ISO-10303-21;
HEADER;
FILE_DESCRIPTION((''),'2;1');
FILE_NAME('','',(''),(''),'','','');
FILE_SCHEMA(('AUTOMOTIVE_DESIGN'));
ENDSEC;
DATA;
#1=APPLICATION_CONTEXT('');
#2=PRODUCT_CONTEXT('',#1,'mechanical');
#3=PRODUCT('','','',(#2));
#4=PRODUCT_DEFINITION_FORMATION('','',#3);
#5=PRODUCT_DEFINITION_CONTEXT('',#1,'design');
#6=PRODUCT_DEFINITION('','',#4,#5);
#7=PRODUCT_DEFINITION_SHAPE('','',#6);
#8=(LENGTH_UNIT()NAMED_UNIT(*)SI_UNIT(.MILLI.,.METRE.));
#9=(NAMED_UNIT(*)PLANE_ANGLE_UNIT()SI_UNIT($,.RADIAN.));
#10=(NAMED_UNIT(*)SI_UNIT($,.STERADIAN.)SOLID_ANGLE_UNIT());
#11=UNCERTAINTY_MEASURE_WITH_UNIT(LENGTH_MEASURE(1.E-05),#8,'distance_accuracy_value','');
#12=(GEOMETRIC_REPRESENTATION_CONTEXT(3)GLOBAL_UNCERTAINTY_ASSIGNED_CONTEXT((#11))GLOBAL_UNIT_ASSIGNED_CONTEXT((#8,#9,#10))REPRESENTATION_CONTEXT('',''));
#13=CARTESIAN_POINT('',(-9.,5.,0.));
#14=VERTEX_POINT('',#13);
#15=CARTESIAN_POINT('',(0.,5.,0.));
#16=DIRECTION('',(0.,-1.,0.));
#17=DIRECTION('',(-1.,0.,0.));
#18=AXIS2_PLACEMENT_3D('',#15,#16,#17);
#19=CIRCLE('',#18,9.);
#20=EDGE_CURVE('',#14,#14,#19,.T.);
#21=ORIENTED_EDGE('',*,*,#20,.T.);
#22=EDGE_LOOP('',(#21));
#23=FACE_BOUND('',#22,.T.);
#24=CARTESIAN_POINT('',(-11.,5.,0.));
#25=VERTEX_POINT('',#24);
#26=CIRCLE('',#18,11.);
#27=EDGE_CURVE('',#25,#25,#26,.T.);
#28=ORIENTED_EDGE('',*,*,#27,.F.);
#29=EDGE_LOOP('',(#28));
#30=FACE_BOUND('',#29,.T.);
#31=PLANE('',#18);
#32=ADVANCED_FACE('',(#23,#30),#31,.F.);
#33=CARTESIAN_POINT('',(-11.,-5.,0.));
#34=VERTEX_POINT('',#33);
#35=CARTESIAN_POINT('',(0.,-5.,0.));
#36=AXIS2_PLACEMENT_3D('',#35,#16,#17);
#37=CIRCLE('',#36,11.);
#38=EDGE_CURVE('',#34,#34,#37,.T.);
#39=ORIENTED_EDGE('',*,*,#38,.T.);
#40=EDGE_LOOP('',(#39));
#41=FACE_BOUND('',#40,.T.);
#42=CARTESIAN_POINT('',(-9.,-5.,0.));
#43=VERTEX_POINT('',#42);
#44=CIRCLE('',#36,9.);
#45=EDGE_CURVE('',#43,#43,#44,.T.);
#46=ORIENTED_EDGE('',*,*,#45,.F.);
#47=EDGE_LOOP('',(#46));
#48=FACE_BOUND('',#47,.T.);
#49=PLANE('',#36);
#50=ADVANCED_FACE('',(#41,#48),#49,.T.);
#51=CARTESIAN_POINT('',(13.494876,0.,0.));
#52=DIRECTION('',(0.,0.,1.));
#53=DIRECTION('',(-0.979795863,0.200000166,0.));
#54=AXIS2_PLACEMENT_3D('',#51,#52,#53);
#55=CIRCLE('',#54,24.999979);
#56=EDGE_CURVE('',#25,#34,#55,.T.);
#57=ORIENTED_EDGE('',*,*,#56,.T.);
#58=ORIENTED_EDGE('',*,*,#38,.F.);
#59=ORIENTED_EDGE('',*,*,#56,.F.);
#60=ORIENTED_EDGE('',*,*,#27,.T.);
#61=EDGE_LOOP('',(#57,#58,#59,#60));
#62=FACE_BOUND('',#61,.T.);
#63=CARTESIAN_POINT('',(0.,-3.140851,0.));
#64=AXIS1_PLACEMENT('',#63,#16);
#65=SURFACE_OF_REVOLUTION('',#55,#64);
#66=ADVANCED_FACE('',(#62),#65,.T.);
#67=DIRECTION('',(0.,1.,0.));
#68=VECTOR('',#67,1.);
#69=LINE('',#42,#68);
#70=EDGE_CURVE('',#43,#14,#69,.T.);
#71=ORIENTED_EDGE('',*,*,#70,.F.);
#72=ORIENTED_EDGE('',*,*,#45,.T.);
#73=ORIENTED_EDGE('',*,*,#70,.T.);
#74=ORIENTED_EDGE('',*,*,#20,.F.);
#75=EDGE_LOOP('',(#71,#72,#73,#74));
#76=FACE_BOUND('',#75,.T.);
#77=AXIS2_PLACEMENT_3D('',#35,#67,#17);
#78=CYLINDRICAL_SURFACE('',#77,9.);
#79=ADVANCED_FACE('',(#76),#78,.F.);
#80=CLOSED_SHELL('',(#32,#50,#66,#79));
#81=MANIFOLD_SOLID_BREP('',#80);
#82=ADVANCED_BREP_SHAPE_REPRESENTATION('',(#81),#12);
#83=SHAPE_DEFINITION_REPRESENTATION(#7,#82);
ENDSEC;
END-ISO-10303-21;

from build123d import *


with BuildPart() as f1:
    # F0 (on Top) → F1 (revolve)
    with BuildSketch(Plane.XY):
        with BuildLine():
            Line((-9, -5), (-9, 5))
            Line((-9, 5), (-11, 5))
            ThreePointArc((-11, 5), (-11.505103, 0), (-11, -5))
            Line((-11, -5), (-9, -5))
        make_face()
    revolve(axis=Axis((0, -3.140851, 0), (0, -1, 0)))


solid = f1.part
